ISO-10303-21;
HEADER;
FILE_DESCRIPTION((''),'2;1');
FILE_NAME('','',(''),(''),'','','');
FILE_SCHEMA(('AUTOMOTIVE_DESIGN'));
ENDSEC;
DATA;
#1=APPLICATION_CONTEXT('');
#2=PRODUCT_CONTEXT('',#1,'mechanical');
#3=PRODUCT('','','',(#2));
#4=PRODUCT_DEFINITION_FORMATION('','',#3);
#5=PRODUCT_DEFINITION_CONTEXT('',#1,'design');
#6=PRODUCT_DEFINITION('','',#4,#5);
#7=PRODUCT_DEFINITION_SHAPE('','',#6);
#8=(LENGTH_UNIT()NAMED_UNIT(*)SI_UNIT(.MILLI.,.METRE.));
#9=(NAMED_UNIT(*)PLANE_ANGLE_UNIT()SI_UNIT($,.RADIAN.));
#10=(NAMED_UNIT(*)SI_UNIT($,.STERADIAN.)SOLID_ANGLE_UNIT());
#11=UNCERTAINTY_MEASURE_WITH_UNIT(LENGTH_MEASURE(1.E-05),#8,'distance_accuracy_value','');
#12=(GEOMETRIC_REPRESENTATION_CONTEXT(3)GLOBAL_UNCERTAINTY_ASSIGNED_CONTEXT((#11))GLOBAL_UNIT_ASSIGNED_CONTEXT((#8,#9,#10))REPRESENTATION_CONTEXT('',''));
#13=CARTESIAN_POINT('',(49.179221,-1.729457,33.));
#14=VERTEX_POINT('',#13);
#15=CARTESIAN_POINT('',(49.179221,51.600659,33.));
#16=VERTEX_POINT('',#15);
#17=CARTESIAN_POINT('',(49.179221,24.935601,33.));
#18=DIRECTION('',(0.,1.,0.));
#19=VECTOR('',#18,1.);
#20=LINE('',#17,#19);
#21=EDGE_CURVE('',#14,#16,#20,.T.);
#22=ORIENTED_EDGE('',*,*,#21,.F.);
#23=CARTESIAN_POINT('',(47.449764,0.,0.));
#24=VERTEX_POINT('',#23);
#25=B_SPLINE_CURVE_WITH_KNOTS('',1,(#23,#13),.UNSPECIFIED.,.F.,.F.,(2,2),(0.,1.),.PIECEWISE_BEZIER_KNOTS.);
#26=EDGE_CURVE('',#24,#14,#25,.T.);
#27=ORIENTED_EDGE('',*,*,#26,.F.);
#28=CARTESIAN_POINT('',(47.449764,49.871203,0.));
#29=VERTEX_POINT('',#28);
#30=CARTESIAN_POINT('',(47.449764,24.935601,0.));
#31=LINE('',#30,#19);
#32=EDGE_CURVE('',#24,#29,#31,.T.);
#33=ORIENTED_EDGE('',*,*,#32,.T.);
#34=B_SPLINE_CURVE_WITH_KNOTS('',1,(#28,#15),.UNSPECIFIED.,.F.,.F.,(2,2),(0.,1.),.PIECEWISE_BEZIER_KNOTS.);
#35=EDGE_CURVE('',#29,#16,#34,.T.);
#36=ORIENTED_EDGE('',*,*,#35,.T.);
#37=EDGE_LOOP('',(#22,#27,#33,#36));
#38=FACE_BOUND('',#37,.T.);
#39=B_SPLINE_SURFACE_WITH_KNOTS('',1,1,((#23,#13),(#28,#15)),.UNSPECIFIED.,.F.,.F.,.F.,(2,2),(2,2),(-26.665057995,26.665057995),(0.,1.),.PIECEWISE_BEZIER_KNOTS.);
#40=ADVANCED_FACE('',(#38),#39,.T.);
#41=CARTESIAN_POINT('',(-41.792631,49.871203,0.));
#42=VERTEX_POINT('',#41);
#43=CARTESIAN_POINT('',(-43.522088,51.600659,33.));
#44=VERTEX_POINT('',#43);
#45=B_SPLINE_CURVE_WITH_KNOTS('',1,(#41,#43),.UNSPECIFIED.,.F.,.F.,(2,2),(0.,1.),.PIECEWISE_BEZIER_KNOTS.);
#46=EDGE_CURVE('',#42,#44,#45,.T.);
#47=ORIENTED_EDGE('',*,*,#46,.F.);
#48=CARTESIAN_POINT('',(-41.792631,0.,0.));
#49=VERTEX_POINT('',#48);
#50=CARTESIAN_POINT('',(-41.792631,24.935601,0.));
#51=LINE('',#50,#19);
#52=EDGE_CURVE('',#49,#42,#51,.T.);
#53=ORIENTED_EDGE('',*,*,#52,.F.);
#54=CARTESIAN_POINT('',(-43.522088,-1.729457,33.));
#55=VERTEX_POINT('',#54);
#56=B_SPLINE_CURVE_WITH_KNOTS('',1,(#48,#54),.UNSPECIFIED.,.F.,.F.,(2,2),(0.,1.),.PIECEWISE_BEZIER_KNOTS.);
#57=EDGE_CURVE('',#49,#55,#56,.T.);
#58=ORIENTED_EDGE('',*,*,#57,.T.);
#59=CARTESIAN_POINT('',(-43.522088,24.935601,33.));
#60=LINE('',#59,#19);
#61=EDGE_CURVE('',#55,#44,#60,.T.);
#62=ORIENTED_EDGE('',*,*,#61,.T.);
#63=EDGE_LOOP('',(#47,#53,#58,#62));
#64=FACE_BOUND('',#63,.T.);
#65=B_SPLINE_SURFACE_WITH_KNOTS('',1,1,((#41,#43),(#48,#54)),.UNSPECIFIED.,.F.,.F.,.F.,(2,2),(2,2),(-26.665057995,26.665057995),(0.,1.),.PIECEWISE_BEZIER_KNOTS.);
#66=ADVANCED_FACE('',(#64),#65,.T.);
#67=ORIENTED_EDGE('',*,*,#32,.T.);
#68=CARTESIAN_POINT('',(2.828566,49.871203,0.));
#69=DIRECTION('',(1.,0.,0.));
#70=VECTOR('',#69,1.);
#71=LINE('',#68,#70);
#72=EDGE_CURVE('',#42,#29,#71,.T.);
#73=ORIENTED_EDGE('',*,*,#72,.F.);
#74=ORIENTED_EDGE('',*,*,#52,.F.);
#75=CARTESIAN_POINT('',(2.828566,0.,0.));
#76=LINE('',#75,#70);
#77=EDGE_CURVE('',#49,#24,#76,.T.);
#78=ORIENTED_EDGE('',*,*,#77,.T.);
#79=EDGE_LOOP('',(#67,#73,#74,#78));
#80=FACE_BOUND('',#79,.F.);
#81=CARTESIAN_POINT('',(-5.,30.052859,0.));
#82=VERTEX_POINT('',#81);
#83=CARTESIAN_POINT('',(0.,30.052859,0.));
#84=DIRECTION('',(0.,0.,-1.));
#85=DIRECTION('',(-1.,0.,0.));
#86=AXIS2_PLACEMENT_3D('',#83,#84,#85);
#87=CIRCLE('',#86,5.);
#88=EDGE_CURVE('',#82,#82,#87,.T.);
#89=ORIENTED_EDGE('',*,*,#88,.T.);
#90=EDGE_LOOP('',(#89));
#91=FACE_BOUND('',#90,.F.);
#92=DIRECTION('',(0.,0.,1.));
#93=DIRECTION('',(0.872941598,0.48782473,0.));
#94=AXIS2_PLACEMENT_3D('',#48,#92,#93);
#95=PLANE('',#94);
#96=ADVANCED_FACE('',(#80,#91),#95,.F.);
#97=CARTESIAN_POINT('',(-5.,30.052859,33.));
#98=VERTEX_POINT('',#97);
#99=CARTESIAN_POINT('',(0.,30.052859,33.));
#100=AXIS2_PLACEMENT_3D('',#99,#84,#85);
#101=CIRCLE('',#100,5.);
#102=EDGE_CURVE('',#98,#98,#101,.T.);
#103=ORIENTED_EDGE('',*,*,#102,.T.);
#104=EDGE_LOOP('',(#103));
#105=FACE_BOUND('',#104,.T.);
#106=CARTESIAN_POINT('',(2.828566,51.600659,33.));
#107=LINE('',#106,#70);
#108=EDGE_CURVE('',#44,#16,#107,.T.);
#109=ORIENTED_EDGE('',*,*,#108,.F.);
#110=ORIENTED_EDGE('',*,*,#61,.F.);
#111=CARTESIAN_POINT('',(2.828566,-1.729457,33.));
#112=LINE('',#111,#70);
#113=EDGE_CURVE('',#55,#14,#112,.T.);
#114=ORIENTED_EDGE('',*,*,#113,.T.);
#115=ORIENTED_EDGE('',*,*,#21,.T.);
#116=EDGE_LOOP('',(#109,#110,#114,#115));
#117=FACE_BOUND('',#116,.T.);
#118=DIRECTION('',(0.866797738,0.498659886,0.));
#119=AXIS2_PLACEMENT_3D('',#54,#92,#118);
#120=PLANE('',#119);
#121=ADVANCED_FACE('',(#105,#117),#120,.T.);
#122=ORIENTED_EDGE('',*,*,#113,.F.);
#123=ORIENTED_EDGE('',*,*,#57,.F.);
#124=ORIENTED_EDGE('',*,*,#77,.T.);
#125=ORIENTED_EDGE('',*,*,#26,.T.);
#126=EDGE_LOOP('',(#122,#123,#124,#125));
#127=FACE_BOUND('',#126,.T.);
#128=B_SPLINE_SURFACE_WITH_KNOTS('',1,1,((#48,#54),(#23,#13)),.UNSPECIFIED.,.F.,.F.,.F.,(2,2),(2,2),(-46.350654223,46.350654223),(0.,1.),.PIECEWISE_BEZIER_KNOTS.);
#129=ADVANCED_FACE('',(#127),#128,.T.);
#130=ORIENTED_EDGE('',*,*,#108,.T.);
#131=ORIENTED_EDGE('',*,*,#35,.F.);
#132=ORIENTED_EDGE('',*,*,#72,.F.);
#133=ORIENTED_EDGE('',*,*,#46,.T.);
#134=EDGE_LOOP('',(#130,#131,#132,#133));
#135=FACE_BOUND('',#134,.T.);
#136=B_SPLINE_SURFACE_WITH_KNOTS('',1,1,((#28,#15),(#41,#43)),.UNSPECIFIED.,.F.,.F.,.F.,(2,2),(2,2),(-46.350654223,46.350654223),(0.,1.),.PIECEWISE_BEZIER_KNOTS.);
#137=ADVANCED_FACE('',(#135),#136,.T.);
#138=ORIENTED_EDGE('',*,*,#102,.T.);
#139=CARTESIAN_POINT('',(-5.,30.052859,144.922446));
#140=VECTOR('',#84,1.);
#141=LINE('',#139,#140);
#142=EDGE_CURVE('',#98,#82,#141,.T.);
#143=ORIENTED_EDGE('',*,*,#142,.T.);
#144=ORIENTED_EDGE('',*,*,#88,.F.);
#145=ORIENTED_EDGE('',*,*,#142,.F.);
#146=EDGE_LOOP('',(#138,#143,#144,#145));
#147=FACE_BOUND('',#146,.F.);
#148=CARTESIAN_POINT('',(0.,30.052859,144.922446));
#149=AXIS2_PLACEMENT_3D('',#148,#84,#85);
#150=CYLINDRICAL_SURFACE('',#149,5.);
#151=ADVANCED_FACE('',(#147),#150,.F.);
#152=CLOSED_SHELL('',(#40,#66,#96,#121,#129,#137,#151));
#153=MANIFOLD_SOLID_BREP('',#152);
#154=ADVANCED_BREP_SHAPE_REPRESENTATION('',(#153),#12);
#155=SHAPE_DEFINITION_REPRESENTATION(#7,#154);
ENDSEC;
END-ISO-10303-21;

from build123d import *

# Parameters (mm, degrees)
F0_W     = 89.2423950136
F0_H     = 49.8712025583
F1_DEPTH = 33
F1_TAPER = -3
F5_D     = 10


with BuildPart() as f1:
    # F0 (on Top) → F1 (new body)
    with BuildSketch(Plane.XY):
        with Locations((2.8285663575, 24.9356012791)):
            Rectangle(F0_W, F0_H)
    extrude(amount=F1_DEPTH, taper=F1_TAPER)

    # F5 (through all)
    with Locations(Plane.XY.offset(33)):
        with Locations((0, 30.0528593361)):
            Hole(F5_D / 2)


solid = f1.part
